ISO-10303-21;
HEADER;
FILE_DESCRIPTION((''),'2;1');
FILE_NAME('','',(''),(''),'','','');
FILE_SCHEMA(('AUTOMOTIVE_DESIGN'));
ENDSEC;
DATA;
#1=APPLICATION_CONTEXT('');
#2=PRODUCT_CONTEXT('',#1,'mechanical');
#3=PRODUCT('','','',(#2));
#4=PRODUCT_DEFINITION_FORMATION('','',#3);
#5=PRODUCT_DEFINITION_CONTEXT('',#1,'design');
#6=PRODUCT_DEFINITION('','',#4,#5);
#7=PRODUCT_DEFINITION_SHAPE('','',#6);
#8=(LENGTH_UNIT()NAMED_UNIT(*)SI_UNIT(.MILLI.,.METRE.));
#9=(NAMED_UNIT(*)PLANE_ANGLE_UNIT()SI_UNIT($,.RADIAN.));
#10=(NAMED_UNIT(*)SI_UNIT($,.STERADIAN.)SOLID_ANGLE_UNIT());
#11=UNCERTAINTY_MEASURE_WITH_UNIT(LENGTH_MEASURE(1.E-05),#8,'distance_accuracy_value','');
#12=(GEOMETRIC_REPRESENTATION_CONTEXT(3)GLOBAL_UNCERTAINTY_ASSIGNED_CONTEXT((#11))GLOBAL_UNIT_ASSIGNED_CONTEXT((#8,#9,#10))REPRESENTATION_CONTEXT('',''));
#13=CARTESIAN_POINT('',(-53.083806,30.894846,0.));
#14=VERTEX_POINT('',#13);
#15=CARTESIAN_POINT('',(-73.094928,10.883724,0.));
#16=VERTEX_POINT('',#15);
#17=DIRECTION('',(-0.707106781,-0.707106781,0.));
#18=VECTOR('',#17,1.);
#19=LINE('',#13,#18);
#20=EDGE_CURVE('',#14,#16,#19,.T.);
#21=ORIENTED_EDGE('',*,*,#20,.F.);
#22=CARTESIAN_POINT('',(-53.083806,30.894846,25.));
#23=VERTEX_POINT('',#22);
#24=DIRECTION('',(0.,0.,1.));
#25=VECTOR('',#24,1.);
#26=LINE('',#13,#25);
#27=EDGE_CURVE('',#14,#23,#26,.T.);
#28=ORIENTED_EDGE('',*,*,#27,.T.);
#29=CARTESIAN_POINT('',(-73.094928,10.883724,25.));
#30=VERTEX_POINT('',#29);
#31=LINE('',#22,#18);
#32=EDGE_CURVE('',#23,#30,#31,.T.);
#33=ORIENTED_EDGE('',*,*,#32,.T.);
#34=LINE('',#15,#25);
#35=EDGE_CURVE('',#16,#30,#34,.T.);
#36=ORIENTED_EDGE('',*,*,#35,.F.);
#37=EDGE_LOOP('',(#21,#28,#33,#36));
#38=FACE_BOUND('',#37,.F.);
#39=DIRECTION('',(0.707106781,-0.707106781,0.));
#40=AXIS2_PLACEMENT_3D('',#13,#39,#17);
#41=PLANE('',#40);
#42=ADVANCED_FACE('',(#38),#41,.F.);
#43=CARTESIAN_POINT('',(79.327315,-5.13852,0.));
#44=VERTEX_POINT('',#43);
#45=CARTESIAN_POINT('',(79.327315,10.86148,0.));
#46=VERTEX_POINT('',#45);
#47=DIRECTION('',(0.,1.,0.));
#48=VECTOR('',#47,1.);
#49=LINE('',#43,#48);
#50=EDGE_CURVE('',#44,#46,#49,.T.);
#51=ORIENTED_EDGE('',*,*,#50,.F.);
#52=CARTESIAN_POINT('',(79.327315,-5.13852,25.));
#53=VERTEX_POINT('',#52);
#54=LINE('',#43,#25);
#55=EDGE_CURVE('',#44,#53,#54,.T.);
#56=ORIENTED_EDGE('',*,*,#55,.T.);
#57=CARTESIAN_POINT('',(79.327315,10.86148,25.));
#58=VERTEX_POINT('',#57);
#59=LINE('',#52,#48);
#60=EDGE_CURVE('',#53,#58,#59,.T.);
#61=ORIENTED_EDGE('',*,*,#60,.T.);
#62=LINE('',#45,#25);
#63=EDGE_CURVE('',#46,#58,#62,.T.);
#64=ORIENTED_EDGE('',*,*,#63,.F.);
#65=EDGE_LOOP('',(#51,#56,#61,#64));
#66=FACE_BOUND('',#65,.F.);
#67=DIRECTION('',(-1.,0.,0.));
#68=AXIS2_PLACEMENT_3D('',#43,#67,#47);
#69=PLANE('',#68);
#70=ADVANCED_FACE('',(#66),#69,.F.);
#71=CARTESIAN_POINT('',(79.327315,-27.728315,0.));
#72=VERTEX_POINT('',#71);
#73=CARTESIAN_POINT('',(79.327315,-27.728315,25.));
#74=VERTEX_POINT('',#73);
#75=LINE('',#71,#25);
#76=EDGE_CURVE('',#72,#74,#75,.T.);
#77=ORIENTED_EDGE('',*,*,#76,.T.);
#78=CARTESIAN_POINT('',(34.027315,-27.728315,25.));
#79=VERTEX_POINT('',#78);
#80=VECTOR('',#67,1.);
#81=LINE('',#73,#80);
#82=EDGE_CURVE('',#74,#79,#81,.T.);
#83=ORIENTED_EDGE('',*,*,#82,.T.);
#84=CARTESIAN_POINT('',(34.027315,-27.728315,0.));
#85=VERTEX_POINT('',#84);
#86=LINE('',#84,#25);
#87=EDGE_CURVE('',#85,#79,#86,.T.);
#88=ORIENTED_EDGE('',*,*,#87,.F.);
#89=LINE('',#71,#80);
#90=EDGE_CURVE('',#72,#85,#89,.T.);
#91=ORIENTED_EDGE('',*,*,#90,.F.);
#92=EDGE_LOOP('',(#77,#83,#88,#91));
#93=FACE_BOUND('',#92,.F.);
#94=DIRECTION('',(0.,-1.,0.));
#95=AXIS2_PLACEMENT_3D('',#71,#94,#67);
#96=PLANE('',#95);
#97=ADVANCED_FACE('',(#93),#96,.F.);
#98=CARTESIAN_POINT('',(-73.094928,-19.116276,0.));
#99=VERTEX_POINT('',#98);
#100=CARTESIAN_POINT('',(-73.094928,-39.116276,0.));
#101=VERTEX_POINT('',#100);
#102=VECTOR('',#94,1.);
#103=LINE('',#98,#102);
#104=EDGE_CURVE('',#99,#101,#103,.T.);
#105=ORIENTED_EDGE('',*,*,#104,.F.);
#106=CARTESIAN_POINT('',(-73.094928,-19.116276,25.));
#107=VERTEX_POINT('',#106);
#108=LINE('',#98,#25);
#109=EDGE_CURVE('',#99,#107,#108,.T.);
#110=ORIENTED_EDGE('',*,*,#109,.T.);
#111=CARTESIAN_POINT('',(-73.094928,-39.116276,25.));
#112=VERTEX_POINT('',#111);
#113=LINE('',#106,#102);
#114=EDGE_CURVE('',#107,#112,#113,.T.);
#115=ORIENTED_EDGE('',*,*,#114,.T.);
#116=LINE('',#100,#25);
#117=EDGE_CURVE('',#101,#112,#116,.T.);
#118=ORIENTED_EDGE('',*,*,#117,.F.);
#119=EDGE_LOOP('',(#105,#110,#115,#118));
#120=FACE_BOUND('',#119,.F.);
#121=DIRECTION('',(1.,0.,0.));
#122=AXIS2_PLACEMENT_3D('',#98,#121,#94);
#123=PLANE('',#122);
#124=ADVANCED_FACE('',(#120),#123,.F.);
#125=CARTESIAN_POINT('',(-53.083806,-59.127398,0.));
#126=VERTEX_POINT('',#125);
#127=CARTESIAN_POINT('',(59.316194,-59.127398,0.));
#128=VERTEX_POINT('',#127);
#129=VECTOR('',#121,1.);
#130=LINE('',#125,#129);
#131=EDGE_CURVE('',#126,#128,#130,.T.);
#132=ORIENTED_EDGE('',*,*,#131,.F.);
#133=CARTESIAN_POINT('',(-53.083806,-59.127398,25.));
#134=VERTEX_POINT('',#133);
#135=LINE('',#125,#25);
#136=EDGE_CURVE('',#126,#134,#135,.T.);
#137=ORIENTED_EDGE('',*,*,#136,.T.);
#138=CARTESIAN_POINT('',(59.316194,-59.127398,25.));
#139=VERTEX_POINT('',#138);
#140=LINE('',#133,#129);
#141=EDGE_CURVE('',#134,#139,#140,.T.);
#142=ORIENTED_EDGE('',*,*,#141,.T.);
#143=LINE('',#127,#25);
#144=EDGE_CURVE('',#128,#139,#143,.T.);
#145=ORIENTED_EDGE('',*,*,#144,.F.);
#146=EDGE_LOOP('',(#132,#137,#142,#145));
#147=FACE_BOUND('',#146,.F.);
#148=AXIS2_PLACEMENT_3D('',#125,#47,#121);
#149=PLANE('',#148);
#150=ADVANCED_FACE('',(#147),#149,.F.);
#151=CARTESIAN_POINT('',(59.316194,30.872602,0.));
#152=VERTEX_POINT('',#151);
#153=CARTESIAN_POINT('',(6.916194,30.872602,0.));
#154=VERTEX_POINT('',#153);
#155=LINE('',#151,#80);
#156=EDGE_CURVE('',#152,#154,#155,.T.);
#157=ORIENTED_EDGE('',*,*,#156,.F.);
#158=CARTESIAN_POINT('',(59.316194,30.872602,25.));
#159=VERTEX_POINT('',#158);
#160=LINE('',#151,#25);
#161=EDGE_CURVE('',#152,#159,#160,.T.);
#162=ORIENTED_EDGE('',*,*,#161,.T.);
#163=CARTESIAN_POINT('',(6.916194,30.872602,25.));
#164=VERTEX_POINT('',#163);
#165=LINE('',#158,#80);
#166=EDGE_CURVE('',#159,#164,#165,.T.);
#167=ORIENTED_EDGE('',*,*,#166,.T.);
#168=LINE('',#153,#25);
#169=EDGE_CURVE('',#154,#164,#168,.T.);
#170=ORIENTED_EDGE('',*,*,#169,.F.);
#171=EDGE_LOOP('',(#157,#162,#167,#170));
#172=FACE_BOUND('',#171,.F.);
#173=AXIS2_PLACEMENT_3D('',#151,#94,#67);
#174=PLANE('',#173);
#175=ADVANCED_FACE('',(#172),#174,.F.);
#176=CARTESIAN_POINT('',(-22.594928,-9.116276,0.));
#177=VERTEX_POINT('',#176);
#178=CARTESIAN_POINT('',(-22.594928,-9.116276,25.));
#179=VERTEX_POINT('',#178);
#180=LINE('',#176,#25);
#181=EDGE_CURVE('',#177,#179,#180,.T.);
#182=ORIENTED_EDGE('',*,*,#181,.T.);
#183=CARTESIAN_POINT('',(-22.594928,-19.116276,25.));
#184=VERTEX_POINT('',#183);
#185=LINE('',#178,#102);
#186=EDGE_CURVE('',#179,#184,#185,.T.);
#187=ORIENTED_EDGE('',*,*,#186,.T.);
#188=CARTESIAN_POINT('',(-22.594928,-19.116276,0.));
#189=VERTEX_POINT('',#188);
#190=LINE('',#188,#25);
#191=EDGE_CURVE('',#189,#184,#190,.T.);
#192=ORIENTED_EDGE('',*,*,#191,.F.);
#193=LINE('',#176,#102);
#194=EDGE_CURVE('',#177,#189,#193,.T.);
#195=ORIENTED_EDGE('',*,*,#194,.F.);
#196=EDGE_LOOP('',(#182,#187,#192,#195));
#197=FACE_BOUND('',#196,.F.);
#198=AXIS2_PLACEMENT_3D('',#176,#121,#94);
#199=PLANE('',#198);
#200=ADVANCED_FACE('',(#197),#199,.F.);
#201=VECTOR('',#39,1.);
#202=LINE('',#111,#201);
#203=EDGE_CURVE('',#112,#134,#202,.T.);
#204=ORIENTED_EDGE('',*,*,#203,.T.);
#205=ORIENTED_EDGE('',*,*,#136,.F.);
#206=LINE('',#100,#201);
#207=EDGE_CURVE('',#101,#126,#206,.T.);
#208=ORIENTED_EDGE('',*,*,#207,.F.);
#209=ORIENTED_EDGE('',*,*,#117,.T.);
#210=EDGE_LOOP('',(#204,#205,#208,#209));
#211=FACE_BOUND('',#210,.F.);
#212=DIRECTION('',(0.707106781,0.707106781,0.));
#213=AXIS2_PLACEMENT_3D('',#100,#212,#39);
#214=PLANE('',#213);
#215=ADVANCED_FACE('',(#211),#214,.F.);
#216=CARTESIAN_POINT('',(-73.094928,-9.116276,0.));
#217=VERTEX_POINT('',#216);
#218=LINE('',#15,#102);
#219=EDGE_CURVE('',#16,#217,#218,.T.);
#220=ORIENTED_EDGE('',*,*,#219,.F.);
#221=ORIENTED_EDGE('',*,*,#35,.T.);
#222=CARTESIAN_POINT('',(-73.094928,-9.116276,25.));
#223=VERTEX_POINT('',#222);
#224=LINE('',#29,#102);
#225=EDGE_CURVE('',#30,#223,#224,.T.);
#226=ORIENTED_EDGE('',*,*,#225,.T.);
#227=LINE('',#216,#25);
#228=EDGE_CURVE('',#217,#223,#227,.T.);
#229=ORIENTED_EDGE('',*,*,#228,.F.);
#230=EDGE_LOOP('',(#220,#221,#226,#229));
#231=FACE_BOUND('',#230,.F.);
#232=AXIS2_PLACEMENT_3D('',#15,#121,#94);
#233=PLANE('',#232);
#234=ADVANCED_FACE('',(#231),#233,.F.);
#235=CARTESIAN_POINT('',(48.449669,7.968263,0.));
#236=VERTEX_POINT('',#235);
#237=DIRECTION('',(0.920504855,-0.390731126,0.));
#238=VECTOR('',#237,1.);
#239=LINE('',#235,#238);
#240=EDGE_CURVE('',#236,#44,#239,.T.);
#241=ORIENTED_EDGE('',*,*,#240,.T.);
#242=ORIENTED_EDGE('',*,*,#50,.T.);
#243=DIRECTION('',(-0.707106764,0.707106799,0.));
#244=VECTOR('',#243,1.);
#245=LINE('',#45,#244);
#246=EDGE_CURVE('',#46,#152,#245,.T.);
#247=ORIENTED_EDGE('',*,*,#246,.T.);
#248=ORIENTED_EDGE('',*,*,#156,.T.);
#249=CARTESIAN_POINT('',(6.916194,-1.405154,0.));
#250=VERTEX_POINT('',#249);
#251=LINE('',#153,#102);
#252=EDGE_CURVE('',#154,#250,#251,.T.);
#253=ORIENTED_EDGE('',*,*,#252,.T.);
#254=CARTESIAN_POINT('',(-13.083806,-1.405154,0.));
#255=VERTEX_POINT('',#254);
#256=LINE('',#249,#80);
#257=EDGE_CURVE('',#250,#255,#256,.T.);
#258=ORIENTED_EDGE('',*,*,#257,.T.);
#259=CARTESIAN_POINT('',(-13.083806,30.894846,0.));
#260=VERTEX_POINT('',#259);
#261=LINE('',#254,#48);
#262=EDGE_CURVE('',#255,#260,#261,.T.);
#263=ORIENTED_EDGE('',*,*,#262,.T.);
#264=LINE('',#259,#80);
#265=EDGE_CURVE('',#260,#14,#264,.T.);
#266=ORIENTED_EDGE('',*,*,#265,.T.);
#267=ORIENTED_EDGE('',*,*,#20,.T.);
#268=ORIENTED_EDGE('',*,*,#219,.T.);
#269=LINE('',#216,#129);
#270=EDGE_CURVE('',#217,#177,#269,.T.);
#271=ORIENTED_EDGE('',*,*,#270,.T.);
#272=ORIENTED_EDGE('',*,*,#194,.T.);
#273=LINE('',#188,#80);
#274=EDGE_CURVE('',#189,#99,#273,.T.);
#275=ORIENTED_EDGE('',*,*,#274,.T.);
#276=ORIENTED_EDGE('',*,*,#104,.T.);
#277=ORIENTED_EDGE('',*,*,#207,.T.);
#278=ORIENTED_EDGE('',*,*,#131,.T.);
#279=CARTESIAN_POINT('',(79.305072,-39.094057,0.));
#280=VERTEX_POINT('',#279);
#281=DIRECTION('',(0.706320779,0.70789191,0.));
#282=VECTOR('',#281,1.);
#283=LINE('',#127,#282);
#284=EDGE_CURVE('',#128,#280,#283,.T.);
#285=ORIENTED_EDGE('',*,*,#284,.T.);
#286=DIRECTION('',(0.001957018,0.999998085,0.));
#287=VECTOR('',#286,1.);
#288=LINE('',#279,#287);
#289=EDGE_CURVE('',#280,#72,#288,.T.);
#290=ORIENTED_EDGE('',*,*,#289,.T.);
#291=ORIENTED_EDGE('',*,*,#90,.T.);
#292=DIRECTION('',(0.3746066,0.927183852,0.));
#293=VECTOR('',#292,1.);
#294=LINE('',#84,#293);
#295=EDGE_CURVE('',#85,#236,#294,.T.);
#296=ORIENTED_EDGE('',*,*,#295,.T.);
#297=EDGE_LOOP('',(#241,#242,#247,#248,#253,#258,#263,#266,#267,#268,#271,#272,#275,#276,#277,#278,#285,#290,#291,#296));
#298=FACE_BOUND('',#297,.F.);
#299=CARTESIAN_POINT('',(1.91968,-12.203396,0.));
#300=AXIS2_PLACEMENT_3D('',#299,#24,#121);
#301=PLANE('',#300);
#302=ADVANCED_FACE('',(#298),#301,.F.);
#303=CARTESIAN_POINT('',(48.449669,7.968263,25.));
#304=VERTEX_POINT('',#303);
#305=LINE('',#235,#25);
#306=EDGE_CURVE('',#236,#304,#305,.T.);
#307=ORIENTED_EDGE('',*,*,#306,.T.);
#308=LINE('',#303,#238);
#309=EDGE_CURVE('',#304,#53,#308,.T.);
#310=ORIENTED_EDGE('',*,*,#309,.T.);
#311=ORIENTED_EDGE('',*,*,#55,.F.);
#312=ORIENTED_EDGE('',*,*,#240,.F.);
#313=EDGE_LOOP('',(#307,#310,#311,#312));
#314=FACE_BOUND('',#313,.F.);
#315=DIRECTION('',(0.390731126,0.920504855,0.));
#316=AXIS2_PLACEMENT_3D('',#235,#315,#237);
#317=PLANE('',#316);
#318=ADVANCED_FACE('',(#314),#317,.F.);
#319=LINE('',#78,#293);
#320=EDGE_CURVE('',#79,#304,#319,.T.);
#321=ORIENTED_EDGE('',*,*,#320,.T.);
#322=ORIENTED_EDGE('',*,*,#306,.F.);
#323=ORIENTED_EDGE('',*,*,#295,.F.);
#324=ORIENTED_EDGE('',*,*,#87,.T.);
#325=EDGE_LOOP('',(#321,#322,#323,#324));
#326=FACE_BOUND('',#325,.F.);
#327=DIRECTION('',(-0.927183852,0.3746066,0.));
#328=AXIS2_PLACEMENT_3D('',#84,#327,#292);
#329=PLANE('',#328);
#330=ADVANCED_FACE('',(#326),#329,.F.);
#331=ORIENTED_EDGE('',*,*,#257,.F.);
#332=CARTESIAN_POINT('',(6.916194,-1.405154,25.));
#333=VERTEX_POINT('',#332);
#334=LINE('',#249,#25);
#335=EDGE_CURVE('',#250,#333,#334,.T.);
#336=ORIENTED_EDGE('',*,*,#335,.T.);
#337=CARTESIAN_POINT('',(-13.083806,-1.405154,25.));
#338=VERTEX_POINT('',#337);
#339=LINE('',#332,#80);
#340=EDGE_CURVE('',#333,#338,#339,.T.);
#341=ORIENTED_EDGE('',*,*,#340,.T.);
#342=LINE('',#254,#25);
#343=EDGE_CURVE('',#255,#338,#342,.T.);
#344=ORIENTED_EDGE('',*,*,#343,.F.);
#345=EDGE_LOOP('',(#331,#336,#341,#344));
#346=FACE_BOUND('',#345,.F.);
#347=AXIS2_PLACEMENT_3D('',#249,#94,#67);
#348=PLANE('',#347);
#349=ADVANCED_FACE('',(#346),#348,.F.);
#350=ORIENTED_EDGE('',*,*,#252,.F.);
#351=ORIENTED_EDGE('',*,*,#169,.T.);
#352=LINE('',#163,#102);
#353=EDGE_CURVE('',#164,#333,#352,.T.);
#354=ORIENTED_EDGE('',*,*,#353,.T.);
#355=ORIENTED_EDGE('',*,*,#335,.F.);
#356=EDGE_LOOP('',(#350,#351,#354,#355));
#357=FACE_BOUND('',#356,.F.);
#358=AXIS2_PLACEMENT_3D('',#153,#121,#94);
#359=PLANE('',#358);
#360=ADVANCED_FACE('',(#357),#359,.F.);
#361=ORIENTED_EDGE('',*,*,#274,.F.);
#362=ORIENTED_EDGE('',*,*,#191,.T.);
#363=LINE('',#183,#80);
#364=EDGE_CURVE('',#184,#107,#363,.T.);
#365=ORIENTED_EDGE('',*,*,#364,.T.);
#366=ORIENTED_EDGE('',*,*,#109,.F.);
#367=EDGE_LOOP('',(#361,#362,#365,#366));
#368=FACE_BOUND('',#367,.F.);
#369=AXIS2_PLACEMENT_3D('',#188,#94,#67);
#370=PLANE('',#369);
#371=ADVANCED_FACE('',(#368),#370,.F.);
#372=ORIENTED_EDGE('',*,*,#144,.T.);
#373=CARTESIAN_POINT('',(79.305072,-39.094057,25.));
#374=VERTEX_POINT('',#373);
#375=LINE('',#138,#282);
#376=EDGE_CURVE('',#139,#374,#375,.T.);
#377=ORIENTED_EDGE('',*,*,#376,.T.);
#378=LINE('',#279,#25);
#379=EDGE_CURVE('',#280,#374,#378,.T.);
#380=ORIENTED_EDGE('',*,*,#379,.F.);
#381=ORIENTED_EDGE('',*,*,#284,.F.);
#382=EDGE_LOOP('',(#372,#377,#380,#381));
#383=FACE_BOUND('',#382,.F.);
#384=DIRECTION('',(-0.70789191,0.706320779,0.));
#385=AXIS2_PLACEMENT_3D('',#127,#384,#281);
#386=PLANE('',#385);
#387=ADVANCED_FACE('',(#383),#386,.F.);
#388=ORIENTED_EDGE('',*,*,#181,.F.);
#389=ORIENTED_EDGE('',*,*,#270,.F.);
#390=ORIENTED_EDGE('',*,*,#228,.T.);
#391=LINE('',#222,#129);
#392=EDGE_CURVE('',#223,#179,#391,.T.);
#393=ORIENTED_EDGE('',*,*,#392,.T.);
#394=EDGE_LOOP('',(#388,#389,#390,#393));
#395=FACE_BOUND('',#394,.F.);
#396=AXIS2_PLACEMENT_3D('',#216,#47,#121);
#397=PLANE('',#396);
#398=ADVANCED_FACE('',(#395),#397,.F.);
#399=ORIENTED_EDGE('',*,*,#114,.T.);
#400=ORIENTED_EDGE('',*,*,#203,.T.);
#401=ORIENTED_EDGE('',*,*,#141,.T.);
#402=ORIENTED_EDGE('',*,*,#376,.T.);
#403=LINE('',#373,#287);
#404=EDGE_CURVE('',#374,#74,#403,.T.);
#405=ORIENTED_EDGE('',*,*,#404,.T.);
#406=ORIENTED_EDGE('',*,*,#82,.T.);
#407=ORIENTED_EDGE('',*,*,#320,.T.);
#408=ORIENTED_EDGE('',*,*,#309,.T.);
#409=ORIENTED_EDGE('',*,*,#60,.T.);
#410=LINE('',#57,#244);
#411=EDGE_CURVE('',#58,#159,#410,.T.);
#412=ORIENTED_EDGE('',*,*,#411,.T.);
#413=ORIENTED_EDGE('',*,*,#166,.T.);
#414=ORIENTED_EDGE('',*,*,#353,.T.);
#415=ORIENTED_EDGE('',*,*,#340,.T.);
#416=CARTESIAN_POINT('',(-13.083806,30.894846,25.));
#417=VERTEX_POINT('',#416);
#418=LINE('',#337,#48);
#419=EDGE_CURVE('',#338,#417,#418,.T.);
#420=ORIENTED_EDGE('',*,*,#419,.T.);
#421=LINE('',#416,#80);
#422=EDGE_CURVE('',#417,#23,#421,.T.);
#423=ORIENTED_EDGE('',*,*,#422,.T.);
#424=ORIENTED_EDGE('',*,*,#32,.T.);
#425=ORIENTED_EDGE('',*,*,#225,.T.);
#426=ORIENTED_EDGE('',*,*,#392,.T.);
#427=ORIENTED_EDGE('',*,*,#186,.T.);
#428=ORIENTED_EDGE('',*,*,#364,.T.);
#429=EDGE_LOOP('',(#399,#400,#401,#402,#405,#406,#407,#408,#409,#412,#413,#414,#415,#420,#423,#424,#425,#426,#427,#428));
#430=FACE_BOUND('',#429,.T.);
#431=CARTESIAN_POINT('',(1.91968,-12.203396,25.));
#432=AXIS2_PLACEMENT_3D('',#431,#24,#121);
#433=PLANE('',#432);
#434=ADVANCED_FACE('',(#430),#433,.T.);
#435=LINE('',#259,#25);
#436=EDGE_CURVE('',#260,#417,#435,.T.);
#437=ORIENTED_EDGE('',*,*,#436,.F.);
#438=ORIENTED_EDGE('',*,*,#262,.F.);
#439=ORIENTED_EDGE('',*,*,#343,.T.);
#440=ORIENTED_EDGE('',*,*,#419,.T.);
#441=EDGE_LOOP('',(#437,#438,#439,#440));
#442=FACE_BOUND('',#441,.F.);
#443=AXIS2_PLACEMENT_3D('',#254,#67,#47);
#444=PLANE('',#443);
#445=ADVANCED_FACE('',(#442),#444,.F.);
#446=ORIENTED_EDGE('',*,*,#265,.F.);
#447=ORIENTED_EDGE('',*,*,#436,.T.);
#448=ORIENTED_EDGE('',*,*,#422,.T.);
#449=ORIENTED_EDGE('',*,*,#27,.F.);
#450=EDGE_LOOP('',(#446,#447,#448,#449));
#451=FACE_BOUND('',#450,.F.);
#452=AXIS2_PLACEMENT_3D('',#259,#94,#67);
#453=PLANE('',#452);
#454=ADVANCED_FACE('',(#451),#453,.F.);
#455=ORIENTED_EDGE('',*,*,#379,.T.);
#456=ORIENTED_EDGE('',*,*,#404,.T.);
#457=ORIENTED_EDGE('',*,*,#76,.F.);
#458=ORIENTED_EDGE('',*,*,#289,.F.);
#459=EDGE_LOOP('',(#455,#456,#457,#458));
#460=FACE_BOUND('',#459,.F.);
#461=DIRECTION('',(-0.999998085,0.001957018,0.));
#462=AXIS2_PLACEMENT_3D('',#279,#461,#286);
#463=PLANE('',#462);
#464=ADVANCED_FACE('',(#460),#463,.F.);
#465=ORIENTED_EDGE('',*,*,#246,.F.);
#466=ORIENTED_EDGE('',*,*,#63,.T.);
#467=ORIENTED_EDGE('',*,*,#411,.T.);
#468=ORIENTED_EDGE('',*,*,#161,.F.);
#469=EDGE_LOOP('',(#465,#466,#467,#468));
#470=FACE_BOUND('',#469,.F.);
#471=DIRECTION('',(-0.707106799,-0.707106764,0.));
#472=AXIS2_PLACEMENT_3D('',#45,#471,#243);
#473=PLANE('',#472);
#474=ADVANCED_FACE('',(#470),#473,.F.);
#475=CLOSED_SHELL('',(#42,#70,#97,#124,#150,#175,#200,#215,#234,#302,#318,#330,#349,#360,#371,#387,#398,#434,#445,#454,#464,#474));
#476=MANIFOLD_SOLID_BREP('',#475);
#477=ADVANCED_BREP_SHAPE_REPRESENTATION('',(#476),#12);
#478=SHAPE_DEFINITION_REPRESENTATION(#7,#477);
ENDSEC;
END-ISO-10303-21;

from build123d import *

# Parameters (mm, degrees)
F1_DEPTH = 25


with BuildPart() as f1:
    # F0 (on Top) → F1 (new body)
    with BuildSketch(Plane.XY):
        Polygon((-73.094928, -39.116276), (-53.083806, -59.127398), (59.316194, -59.127398), (79.305072, -39.094057), (79.327315, -27.728315), (34.027315, -27.728315), (48.449669, 7.968263), (79.327315, -5.13852), (79.327315, 10.86148), (59.316194, 30.872602), (6.916194, 30.872602), (6.916194, -1.405154), (-13.083806, -1.405154), (-13.083806, 30.894846), (-53.083806, 30.894846), (-73.094928, 10.883724), (-73.094928, -9.116276), (-22.594928, -9.116276), (-22.594928, -19.116276), (-73.094928, -19.116276), align=None)
    extrude(amount=F1_DEPTH)


solid = f1.part
